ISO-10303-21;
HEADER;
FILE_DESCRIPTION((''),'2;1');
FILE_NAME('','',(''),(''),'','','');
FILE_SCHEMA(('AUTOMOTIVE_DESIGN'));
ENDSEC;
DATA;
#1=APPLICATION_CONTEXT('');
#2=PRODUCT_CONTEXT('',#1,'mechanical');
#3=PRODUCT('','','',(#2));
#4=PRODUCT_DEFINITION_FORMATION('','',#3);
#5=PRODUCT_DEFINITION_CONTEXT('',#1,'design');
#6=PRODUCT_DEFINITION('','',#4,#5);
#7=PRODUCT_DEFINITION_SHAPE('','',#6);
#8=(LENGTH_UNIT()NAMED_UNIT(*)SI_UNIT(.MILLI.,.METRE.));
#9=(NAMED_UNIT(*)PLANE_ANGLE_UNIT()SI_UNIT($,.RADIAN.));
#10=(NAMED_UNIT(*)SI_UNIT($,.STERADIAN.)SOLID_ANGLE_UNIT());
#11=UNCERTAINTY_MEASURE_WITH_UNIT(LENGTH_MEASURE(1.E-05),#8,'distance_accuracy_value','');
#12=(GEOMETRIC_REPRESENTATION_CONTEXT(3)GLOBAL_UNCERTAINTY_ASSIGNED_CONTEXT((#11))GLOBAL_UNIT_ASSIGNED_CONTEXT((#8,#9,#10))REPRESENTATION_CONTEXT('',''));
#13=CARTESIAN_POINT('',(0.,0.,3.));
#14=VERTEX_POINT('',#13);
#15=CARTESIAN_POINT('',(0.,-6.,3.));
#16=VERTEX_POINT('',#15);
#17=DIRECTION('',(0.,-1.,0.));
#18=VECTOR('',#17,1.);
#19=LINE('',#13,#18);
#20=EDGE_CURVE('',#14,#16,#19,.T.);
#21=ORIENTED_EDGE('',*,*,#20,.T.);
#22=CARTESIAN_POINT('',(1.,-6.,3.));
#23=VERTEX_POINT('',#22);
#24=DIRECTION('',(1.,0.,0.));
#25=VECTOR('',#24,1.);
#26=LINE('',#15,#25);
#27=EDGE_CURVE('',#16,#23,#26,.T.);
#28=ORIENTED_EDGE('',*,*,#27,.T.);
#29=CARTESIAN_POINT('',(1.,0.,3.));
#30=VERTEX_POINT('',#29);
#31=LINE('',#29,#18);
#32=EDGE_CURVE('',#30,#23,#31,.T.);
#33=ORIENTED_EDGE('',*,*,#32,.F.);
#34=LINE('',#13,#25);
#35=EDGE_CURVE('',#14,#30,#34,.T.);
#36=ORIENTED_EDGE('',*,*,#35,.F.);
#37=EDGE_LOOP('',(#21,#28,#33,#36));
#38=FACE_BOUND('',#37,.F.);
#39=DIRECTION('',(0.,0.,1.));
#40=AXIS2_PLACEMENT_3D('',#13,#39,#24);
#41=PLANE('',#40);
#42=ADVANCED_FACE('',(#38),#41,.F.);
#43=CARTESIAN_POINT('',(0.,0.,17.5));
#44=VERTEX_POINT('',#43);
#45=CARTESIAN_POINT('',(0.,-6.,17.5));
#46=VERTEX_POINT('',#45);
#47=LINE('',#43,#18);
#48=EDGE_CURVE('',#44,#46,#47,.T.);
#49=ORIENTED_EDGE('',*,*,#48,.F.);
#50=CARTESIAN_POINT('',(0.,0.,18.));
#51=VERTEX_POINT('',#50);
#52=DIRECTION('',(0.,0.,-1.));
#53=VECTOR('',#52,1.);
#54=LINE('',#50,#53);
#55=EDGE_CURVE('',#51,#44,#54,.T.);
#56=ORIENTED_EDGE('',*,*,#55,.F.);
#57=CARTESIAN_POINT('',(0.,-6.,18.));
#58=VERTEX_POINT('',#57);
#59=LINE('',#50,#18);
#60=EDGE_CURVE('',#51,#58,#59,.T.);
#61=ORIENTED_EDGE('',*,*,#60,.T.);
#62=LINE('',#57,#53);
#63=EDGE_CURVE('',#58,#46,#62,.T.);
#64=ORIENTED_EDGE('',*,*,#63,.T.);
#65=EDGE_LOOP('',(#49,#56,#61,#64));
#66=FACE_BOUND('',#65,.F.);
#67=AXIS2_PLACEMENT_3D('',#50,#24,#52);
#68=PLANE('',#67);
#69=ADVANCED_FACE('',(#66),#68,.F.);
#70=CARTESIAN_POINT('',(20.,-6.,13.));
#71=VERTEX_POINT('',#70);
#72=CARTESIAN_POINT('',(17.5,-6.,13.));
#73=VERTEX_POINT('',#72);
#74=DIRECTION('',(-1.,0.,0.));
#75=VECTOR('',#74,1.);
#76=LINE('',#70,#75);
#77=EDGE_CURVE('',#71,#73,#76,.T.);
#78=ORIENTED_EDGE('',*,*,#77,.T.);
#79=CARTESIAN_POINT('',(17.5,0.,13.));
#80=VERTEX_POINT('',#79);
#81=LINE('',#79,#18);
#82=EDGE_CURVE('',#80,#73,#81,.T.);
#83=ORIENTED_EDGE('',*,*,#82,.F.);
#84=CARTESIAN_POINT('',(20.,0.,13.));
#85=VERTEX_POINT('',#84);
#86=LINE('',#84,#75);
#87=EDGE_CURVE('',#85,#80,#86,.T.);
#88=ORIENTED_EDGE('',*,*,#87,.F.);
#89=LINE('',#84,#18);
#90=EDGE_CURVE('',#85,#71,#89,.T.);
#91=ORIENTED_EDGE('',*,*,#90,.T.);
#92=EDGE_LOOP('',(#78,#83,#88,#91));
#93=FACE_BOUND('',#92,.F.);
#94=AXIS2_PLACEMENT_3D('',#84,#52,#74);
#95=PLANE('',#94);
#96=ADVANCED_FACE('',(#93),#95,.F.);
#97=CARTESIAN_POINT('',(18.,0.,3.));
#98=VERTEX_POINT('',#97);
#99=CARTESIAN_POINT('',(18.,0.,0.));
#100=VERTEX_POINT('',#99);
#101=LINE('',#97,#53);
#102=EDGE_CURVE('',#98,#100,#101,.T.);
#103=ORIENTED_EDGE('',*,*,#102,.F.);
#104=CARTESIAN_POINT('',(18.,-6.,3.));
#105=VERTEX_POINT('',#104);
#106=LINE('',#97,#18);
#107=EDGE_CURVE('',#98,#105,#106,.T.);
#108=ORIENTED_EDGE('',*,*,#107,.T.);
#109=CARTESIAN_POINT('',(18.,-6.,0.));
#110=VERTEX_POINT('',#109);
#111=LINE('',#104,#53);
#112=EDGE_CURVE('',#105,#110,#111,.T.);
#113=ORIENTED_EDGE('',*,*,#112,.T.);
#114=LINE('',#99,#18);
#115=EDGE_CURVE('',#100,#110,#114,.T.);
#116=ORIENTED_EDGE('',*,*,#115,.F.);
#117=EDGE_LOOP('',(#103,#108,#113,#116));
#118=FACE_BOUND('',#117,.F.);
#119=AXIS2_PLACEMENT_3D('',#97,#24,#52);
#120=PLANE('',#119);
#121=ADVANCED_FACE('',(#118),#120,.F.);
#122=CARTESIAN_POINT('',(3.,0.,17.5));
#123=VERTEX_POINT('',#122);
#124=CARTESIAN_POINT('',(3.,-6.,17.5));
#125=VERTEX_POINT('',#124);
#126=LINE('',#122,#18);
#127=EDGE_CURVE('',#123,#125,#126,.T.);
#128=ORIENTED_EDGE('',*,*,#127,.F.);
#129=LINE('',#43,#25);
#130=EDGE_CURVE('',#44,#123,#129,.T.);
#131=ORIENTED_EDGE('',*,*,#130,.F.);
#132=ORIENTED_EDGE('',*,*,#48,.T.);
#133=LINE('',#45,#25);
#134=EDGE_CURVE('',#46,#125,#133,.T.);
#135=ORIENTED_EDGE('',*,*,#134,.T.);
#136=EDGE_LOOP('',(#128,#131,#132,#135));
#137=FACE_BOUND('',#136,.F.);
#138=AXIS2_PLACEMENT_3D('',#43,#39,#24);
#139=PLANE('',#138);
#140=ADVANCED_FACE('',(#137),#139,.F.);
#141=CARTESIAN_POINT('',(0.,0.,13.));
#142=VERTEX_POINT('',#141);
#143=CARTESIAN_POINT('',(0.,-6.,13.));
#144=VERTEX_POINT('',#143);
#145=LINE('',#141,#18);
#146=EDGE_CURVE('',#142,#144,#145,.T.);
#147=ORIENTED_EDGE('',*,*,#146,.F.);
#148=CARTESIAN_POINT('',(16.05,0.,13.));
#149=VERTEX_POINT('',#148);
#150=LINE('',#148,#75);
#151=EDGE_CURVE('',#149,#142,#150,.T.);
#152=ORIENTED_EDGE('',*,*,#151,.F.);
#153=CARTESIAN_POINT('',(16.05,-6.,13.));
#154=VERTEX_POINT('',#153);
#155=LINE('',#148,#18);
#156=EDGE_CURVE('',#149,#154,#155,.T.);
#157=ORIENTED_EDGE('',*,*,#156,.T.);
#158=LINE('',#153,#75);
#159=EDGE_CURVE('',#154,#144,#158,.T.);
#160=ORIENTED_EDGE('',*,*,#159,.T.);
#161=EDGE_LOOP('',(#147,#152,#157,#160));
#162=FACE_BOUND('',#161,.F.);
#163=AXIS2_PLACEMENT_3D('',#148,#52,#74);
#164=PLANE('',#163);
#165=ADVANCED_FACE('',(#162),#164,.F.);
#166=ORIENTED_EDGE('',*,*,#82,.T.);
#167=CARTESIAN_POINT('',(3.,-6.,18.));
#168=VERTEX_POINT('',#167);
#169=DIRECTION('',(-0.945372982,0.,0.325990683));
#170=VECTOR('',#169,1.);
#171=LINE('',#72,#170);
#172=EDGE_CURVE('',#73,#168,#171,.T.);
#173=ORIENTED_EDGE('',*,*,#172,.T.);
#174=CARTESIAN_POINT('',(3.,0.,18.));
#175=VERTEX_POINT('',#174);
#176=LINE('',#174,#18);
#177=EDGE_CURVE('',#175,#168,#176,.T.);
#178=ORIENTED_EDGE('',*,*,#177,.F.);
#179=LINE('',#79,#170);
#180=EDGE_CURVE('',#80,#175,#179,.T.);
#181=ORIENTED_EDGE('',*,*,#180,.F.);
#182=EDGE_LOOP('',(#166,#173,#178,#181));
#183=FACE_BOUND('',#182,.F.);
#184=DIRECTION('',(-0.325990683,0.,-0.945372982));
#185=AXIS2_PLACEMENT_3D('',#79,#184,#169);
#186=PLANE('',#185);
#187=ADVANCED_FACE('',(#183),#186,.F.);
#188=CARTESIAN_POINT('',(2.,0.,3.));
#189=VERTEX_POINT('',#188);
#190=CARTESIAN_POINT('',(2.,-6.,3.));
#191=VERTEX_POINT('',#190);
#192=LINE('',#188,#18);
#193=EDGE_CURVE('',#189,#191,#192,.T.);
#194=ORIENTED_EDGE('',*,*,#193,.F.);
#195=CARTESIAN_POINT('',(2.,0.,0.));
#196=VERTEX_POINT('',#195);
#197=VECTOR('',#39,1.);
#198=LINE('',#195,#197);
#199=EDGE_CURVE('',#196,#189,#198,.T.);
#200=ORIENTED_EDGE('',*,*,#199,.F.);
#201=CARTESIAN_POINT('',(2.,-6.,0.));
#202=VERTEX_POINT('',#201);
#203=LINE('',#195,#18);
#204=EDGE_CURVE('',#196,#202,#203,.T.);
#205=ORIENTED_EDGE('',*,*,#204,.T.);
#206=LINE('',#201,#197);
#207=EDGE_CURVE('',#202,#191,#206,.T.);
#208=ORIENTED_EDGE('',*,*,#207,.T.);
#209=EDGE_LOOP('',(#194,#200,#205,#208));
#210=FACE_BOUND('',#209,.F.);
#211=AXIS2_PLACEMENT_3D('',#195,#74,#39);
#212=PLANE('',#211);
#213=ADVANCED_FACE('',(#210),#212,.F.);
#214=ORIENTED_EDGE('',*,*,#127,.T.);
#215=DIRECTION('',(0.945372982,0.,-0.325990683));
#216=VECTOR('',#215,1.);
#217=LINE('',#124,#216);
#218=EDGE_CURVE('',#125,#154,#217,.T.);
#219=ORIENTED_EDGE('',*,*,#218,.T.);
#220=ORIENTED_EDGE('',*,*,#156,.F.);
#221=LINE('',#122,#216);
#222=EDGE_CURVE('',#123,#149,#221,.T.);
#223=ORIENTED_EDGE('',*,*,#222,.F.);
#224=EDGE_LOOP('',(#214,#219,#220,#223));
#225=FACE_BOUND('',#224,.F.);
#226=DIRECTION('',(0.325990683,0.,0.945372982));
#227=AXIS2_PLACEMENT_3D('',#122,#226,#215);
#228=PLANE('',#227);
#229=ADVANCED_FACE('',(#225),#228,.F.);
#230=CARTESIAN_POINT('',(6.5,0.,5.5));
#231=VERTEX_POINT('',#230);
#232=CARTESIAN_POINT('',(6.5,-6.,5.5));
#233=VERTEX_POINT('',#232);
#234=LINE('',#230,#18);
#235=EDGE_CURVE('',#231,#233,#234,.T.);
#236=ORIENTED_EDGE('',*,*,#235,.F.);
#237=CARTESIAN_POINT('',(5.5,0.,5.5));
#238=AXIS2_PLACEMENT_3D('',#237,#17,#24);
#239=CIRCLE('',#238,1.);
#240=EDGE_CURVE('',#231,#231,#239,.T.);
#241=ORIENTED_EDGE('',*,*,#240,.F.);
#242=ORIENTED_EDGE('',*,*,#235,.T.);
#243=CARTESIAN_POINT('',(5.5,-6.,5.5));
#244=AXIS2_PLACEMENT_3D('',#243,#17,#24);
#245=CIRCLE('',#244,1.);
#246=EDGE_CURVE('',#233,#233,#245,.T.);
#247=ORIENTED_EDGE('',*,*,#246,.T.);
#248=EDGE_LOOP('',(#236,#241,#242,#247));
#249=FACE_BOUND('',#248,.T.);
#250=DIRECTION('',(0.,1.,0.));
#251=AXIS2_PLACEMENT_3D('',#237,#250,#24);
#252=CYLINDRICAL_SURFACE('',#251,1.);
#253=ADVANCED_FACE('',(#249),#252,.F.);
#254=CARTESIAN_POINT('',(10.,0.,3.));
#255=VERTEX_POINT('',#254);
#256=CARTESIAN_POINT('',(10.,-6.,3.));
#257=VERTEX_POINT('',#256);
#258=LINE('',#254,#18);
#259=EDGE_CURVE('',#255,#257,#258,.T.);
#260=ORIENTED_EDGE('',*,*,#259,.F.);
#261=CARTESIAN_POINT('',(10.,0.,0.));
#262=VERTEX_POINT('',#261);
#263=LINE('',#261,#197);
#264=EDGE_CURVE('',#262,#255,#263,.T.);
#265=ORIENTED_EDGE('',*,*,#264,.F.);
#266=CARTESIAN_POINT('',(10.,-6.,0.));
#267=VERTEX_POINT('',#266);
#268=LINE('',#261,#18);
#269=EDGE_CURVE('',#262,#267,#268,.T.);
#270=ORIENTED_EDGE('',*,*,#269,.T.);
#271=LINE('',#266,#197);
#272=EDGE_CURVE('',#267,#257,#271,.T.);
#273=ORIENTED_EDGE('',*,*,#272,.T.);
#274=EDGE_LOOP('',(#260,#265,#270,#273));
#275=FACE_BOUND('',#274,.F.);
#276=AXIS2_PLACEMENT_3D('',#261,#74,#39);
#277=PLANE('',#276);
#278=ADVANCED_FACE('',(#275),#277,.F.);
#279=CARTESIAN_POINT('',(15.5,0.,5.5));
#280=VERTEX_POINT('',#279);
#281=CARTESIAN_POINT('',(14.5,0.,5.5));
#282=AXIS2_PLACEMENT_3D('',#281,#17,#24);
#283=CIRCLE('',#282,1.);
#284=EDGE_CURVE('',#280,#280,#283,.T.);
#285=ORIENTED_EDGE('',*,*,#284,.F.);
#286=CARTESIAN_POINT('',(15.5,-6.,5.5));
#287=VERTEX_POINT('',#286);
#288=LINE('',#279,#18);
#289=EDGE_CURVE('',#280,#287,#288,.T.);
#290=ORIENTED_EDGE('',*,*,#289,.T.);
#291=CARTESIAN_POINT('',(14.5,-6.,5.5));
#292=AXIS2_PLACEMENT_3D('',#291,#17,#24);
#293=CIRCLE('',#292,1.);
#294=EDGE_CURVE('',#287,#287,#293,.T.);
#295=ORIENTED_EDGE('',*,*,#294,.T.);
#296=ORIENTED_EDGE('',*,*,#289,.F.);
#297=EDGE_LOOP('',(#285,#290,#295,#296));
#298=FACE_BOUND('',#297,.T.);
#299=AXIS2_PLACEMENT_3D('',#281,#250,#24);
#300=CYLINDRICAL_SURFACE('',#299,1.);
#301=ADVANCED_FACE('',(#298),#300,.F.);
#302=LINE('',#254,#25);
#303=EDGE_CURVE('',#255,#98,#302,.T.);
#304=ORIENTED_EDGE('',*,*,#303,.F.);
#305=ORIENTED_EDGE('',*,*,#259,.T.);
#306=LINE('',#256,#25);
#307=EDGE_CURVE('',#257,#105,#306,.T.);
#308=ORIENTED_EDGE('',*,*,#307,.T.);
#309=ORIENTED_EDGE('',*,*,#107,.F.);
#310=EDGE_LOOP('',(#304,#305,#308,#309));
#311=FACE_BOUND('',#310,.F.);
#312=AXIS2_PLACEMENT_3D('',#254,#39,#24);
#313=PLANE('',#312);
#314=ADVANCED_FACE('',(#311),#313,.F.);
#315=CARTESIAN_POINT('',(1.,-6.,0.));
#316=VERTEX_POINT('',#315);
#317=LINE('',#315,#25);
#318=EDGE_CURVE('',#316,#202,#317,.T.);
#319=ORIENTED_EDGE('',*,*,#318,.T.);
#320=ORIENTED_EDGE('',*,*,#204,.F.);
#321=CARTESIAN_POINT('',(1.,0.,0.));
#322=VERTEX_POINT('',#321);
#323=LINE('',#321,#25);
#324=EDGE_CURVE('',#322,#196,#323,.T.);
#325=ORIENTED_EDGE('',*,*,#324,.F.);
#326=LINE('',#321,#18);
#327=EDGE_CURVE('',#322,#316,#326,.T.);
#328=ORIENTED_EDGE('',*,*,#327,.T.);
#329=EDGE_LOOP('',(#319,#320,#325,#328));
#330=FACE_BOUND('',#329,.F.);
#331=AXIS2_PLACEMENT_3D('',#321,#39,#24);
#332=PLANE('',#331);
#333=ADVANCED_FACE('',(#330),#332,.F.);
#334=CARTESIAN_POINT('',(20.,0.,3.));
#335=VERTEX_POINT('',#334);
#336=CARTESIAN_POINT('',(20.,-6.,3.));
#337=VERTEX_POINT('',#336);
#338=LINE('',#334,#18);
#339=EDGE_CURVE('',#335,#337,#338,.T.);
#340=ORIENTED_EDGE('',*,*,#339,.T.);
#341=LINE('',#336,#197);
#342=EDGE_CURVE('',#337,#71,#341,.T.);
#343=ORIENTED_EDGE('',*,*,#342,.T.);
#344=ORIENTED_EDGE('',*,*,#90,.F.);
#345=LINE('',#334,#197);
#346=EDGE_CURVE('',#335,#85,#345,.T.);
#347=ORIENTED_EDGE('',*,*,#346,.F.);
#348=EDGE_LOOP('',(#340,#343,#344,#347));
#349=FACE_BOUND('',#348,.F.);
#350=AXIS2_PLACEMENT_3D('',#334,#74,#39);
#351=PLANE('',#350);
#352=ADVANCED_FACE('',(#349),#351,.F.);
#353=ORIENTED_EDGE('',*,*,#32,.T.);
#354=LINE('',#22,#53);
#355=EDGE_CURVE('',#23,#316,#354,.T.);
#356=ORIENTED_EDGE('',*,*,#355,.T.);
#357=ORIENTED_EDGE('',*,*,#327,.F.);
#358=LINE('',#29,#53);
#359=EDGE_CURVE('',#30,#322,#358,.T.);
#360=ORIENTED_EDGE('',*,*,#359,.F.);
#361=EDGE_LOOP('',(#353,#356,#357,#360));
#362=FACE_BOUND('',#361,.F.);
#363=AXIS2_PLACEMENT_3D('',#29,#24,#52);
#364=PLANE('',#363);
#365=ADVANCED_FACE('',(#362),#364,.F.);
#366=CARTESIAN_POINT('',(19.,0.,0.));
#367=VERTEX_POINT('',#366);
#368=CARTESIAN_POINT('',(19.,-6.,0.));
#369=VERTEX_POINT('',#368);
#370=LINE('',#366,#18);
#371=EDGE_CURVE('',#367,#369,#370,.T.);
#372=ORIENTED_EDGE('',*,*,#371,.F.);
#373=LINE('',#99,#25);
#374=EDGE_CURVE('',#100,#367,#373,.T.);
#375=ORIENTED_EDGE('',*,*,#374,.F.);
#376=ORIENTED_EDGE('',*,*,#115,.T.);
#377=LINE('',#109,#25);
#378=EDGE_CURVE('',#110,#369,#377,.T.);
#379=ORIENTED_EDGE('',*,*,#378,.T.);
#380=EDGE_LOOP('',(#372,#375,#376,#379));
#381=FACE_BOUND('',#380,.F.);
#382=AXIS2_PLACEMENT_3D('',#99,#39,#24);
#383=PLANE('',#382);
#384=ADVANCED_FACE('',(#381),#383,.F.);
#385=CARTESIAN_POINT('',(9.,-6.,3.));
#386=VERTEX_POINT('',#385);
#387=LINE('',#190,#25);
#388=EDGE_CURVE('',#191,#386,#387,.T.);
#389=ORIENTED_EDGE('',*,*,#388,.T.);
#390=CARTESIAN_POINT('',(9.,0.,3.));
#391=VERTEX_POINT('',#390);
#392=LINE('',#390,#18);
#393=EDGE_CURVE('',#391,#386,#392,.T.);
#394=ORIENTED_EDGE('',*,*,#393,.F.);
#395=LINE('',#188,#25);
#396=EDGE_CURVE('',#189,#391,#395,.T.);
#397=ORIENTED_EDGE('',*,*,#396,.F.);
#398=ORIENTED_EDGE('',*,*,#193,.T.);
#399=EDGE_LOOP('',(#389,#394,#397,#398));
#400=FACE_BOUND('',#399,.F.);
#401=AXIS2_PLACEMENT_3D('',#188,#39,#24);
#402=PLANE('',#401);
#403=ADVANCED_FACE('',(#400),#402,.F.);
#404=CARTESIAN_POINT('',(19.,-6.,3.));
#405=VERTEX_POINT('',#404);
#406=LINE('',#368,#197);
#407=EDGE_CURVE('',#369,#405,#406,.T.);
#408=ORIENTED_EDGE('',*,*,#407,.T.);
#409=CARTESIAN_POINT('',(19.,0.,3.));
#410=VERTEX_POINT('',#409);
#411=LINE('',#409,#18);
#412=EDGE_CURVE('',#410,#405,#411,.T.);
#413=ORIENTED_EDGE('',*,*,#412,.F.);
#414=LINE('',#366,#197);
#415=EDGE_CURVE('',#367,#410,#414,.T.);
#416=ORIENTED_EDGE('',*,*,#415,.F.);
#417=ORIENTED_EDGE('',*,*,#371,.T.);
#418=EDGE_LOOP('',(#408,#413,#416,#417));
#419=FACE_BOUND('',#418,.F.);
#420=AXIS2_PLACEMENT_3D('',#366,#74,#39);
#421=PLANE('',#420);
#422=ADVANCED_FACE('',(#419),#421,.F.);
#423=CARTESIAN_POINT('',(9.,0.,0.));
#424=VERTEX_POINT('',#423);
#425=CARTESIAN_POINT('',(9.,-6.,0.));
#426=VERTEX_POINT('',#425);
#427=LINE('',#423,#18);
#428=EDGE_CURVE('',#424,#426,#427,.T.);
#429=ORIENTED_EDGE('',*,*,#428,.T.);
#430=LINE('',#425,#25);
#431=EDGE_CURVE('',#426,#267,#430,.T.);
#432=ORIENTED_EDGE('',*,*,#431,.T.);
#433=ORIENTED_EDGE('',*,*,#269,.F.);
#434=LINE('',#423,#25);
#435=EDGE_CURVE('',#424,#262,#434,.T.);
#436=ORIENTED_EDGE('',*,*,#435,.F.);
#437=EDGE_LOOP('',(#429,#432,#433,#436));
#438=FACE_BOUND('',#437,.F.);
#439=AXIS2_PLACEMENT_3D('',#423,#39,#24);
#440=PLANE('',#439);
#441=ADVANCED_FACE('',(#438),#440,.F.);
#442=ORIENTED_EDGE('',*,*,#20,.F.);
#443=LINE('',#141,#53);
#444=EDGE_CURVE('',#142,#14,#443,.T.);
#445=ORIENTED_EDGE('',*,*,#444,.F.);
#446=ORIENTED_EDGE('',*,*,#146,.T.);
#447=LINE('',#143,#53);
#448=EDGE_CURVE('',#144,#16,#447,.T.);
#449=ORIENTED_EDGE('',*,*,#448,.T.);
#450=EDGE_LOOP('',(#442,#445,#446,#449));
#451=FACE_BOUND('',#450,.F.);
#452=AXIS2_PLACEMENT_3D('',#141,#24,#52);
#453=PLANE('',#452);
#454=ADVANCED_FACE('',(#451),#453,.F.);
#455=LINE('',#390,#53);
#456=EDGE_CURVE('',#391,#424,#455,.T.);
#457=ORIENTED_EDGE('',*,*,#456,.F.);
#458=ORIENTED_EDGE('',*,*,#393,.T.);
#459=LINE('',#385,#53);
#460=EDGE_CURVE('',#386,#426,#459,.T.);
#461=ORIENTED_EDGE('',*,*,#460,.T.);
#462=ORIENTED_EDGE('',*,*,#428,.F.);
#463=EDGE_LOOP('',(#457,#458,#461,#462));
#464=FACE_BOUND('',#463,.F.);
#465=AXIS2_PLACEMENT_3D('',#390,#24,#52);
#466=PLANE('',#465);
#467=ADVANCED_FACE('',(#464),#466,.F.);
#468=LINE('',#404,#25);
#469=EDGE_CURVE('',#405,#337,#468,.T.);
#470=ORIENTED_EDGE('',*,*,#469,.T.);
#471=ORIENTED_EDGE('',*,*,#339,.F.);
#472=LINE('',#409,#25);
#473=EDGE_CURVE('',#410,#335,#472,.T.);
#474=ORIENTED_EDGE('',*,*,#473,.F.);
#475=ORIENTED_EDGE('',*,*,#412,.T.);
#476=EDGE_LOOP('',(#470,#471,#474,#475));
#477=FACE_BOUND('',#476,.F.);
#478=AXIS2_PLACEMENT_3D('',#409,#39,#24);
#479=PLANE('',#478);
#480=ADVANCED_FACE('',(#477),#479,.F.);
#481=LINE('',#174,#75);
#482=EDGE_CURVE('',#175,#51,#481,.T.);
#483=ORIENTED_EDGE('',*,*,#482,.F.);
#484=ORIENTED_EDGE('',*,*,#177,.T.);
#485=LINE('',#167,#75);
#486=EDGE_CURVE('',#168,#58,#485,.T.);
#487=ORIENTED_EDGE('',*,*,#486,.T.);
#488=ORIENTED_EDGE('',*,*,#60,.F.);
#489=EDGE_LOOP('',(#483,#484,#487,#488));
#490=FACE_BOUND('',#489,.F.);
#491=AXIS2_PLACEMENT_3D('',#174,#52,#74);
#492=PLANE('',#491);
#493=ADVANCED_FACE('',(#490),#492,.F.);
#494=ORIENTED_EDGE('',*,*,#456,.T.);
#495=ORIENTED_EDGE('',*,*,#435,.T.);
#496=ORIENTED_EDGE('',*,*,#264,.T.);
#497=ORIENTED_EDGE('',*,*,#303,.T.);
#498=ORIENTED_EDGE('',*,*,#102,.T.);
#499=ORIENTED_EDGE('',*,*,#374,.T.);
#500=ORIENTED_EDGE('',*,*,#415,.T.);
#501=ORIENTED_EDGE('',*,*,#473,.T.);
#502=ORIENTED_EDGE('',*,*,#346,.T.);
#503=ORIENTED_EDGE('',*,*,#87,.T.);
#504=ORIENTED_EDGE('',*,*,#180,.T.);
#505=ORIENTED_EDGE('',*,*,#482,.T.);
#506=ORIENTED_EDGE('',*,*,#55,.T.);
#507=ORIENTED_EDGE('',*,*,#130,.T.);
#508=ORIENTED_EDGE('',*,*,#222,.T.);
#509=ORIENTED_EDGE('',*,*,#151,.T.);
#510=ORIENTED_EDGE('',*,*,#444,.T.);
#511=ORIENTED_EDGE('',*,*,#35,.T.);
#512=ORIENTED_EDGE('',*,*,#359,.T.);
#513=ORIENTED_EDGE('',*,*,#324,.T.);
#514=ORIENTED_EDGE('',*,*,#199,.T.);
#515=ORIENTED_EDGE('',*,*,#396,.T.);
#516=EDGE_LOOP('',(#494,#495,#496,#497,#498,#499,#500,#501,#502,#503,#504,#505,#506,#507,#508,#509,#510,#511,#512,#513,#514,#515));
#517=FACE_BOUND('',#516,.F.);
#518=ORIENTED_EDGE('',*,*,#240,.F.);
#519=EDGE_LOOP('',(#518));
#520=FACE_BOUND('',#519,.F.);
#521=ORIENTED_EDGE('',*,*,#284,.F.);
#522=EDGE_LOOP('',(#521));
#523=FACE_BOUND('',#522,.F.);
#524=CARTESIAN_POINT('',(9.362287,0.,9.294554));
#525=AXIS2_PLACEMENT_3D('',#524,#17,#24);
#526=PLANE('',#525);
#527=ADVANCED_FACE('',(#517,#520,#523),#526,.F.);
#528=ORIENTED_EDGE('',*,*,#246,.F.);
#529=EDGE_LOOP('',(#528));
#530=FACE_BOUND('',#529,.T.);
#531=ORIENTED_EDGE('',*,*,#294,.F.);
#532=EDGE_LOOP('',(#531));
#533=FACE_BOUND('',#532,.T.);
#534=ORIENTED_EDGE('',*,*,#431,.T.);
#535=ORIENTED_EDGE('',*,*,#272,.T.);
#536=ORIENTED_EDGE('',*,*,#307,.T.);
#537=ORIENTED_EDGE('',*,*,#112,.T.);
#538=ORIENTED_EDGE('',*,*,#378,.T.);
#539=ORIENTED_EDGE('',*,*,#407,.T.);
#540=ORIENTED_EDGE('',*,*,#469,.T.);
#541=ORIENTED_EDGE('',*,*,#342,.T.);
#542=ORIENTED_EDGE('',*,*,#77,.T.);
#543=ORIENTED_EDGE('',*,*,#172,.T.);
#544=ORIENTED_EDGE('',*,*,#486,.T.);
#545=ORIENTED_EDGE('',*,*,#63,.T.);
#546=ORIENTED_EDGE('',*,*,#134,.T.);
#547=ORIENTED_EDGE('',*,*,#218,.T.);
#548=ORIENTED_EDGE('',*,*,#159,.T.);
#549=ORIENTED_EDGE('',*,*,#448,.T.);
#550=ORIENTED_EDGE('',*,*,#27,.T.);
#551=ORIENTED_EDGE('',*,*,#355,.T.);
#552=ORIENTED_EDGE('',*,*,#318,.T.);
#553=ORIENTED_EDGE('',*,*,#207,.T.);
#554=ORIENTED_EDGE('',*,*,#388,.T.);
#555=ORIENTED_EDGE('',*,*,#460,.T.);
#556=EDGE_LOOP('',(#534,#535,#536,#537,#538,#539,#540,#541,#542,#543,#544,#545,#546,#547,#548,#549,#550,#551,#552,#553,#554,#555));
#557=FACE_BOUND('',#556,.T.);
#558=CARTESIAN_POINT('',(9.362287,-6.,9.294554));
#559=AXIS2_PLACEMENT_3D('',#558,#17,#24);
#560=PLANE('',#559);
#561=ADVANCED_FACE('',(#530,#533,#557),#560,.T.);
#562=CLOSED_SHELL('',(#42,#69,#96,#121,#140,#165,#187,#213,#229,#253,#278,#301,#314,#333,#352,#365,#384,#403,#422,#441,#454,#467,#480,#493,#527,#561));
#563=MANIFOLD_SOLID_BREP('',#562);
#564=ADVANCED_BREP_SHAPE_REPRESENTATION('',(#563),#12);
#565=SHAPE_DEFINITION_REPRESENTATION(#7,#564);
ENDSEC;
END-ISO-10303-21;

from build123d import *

# Parameters (mm, degrees)
SKETCH_R  = 1
PAD_DEPTH = 6


with BuildPart() as part:
    # Sketch → Pad (new body)
    with BuildSketch(Plane.XZ):
        Polygon((0, 13), (0, 3), (1, 3), (1, 0), (2, 0), (2, 3), (9, 3), (9, 0), (10, 0), (10, 3), (18, 3), (18, 0), (19, 0), (19, 3), (20, 3), (20, 13), (17.5, 13), (3, 18), (0, 18), (0, 17.5), (3, 17.5), (16.05, 13), align=None)
        with Locations((5.5, 5.5)):
            Circle(SKETCH_R, mode=Mode.SUBTRACT)
        with Locations((14.5, 5.5)):
            Circle(SKETCH_R, mode=Mode.SUBTRACT)
    extrude(amount=PAD_DEPTH)


solid = part.part
